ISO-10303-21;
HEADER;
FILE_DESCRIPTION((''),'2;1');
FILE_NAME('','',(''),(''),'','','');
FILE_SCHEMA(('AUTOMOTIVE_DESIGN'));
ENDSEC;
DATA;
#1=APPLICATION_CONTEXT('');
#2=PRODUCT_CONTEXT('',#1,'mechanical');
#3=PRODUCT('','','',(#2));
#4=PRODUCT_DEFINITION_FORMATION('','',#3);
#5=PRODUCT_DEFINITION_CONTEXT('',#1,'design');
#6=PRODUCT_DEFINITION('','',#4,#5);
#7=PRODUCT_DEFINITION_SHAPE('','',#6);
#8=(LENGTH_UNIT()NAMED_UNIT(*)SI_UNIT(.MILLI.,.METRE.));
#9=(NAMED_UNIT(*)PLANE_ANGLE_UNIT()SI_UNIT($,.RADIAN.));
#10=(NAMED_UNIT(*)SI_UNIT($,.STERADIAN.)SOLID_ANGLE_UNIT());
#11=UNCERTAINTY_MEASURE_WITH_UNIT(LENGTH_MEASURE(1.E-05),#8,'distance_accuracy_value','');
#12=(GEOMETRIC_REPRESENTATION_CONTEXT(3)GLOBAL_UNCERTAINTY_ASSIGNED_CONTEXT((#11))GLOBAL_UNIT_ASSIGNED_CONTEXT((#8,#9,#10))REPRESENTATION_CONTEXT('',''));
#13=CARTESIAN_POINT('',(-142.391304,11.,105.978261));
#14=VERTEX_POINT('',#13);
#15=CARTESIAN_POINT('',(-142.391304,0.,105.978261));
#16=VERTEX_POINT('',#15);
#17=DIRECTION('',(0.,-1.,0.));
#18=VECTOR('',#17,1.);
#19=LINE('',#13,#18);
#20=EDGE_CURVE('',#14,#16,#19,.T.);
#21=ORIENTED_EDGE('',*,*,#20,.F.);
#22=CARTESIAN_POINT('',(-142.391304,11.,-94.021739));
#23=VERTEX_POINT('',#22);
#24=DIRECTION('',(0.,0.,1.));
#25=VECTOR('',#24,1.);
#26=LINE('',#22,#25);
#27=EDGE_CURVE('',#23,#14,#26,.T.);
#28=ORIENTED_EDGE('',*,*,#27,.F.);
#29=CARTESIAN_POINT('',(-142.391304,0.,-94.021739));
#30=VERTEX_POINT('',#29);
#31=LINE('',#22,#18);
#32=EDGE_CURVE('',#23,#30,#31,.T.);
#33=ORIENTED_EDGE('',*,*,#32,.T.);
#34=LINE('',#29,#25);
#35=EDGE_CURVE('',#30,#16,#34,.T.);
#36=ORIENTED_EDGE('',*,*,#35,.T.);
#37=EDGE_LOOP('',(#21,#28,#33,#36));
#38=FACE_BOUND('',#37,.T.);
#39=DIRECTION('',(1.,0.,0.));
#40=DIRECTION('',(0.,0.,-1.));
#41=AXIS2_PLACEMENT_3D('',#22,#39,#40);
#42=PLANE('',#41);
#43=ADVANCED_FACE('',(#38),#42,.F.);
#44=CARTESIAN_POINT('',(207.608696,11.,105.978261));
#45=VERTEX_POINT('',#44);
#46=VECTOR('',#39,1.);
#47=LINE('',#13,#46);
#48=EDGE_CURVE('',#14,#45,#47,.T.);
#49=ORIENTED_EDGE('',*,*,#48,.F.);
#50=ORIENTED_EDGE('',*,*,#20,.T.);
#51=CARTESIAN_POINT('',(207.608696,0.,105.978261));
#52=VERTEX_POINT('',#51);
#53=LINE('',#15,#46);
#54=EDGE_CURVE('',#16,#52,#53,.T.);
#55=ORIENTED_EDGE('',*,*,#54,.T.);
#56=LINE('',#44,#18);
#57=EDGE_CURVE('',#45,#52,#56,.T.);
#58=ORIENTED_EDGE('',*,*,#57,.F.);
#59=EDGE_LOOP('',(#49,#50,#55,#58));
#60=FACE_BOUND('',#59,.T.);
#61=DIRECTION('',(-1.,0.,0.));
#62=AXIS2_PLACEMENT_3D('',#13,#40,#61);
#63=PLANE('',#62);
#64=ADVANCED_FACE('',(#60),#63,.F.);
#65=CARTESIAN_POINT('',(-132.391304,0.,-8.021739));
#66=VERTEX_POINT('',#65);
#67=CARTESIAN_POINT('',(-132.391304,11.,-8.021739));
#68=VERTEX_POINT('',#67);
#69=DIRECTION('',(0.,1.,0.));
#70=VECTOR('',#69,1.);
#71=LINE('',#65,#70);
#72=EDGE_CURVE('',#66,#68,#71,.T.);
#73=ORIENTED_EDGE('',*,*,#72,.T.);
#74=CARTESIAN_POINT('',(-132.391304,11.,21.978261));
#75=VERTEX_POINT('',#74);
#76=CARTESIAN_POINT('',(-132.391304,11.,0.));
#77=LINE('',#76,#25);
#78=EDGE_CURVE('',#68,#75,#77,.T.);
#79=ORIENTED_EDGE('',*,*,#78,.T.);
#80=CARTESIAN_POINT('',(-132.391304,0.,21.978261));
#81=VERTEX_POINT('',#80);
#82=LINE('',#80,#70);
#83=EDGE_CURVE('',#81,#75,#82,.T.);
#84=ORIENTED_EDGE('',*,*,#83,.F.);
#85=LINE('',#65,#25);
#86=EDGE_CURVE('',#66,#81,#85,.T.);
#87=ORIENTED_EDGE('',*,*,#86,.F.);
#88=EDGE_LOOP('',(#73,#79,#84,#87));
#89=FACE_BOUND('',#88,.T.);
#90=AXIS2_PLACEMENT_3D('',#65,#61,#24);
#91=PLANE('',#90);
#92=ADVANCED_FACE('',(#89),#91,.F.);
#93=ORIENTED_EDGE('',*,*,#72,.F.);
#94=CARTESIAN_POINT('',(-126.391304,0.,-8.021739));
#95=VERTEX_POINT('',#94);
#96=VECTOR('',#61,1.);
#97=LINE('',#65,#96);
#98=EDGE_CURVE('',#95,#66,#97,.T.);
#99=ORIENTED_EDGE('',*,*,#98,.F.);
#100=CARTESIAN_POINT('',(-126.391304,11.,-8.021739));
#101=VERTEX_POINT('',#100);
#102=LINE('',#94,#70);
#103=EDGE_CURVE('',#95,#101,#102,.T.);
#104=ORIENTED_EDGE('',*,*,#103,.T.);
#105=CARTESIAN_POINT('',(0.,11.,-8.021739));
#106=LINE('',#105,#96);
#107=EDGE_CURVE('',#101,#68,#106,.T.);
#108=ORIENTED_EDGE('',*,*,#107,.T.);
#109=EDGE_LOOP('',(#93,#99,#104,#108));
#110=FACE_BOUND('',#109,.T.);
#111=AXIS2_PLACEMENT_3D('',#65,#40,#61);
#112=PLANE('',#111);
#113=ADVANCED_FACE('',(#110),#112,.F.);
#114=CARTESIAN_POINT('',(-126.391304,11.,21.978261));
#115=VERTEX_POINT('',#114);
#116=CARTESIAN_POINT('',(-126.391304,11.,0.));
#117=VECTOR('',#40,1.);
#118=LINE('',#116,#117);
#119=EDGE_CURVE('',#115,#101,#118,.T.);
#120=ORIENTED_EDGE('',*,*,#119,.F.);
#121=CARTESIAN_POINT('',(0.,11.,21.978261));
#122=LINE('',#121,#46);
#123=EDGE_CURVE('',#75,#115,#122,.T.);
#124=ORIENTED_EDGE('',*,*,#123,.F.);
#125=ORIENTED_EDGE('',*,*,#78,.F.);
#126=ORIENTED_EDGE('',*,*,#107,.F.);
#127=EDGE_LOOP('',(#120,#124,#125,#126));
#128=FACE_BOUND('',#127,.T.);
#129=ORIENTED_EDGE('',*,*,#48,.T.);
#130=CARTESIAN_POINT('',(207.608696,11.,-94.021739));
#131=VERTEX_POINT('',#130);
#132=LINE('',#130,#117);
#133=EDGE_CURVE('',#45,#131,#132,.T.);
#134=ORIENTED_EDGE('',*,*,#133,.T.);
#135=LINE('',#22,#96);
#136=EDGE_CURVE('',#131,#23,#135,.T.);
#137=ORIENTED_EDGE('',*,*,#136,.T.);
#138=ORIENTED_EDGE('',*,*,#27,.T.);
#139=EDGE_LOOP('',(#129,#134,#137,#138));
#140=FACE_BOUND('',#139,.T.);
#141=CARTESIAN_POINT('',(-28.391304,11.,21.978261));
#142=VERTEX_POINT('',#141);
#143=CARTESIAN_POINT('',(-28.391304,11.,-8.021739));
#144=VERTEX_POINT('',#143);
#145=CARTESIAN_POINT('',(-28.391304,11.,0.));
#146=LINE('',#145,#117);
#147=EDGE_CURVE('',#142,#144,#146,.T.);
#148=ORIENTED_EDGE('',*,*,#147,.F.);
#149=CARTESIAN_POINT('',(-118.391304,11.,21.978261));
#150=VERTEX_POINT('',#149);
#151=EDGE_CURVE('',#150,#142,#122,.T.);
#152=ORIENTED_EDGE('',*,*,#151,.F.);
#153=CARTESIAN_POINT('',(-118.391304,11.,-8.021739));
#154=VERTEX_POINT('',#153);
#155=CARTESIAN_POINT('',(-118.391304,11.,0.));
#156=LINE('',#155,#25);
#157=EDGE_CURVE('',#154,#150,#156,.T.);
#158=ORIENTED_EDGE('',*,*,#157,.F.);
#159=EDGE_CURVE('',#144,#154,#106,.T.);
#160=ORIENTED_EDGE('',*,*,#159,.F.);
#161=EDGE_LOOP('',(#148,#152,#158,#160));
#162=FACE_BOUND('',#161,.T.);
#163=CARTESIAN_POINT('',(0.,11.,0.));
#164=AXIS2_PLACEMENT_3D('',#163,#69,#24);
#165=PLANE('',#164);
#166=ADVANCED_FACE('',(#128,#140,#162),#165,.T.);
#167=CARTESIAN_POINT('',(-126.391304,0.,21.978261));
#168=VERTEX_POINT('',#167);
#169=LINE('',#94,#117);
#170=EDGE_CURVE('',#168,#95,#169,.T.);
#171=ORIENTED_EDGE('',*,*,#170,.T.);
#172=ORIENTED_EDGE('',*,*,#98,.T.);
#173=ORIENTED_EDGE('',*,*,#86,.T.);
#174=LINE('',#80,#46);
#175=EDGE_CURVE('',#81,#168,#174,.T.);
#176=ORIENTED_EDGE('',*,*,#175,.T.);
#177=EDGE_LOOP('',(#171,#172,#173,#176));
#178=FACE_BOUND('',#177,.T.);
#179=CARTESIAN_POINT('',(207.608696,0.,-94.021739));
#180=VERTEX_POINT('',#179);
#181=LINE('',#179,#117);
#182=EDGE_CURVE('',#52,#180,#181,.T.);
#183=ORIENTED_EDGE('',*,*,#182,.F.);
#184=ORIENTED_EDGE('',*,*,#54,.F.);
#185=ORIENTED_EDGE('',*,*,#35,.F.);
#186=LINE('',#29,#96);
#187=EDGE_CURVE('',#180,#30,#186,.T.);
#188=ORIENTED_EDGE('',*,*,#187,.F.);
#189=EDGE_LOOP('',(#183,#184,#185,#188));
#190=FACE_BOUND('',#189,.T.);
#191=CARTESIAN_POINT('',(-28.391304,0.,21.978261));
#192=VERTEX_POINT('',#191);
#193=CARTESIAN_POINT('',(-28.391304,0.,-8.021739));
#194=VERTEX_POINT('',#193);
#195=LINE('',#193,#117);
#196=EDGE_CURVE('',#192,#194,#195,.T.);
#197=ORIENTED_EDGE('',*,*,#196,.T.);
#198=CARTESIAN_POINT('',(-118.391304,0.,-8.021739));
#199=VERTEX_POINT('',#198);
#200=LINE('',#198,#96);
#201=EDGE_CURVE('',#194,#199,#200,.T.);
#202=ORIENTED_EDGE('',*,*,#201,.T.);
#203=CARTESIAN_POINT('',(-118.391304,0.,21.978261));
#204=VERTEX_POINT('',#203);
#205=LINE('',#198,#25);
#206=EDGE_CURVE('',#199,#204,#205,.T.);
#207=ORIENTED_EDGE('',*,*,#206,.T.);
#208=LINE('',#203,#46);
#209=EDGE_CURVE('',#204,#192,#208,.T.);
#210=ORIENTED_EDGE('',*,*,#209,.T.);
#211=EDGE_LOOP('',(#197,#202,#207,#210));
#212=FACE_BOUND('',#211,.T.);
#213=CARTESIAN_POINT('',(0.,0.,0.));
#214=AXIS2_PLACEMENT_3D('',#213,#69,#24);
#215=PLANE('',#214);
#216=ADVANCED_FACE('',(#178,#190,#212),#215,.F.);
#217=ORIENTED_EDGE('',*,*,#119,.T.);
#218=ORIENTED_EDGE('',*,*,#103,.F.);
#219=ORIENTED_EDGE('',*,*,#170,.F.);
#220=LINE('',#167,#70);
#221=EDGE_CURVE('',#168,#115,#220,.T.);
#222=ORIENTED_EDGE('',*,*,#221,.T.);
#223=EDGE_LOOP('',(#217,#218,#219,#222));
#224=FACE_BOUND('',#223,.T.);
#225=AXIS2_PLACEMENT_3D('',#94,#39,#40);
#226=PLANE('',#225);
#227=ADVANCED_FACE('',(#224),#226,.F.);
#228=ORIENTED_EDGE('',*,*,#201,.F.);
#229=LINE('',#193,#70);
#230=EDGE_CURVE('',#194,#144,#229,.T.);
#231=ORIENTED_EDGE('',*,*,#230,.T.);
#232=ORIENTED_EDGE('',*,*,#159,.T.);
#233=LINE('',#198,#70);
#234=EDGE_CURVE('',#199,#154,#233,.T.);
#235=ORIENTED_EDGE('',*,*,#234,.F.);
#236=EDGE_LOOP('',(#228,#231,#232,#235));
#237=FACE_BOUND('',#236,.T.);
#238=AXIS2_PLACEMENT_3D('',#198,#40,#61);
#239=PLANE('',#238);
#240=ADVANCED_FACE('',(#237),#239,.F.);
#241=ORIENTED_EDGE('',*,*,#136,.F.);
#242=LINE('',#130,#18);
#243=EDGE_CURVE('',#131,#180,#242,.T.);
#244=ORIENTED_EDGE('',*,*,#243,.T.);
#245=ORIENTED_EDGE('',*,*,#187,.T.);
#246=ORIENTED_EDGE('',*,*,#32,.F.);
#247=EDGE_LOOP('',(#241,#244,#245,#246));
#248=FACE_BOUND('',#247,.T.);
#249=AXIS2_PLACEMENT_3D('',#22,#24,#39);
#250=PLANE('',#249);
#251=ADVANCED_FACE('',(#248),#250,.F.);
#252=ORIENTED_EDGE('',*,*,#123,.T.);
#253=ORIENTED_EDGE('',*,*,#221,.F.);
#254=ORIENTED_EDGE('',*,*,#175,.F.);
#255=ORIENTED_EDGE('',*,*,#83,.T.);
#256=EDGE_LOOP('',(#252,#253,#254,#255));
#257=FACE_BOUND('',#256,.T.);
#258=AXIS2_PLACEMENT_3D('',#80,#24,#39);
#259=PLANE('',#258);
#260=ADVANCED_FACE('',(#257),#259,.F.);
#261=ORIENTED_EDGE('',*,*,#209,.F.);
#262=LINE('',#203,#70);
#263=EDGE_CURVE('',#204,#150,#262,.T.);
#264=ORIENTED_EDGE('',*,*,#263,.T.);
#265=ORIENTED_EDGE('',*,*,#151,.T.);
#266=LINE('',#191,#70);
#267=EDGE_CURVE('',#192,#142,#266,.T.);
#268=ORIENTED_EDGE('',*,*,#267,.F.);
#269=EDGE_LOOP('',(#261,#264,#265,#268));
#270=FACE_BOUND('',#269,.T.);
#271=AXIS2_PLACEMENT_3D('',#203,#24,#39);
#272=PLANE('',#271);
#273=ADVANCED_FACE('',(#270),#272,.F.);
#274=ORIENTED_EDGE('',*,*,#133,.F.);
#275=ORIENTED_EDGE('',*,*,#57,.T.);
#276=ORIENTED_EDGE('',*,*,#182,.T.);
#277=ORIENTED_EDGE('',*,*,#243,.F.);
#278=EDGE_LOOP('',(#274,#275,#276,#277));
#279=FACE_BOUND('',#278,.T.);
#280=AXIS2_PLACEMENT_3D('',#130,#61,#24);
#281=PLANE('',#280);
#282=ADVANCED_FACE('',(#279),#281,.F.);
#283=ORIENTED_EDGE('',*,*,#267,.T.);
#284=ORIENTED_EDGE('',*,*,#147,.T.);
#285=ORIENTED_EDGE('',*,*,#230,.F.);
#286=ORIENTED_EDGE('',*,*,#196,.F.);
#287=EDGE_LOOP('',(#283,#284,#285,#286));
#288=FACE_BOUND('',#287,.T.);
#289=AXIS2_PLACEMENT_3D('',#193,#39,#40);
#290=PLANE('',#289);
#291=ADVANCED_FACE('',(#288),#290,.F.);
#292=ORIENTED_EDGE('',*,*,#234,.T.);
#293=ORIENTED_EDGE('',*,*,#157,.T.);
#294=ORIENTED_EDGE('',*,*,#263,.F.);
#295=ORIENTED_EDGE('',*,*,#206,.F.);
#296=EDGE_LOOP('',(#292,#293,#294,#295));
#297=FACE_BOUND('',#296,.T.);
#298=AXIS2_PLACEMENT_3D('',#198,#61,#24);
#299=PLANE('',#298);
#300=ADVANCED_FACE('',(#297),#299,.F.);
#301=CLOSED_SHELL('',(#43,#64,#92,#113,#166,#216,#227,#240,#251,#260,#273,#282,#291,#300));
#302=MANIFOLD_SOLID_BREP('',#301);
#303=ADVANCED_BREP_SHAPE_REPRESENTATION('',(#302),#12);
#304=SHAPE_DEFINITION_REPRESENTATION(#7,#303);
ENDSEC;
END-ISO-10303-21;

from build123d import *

# Parameters (mm, degrees)
SKETCH1_W               = 350
SKETCH1_H               = 200
BOSS_EXTRUDE1_DEPTH     = 11
SKETCH2_W               = 90
SKETCH2_H               = 30
SKETCH2_W_2             = 6
CUT_EXTRUDE1_DEPTH      = 1
CUT_EXTRUDE1_DEPTH_BACK = 12


with BuildPart() as part:
    # Sketch1 → Boss-Extrude1 (new body)
    with BuildSketch(Plane(origin=(0, 0, 0), x_dir=(1, 0, 0), z_dir=(0, 1, 0))):
        with Locations((32.608695652, -5.97826087)):
            Rectangle(SKETCH1_W, SKETCH1_H)
    extrude(amount=BOSS_EXTRUDE1_DEPTH)

    # Sketch2 → Cut-Extrude1 (cut, two sides)
    with BuildSketch(Plane(origin=(0, 11, 0), x_dir=(1, 0, 0), z_dir=(0, 1, 0))) as cut_extrude1_sk:
        with Locations((-73.391304348, -6.97826087)):
            Rectangle(SKETCH2_W, SKETCH2_H)
        with Locations((-129.391304348, -6.97826087)):
            Rectangle(SKETCH2_W_2, SKETCH2_H)
    extrude(amount=CUT_EXTRUDE1_DEPTH, mode=Mode.SUBTRACT)
    extrude(cut_extrude1_sk.sketch, amount=-CUT_EXTRUDE1_DEPTH_BACK, mode=Mode.SUBTRACT)


solid = part.part
